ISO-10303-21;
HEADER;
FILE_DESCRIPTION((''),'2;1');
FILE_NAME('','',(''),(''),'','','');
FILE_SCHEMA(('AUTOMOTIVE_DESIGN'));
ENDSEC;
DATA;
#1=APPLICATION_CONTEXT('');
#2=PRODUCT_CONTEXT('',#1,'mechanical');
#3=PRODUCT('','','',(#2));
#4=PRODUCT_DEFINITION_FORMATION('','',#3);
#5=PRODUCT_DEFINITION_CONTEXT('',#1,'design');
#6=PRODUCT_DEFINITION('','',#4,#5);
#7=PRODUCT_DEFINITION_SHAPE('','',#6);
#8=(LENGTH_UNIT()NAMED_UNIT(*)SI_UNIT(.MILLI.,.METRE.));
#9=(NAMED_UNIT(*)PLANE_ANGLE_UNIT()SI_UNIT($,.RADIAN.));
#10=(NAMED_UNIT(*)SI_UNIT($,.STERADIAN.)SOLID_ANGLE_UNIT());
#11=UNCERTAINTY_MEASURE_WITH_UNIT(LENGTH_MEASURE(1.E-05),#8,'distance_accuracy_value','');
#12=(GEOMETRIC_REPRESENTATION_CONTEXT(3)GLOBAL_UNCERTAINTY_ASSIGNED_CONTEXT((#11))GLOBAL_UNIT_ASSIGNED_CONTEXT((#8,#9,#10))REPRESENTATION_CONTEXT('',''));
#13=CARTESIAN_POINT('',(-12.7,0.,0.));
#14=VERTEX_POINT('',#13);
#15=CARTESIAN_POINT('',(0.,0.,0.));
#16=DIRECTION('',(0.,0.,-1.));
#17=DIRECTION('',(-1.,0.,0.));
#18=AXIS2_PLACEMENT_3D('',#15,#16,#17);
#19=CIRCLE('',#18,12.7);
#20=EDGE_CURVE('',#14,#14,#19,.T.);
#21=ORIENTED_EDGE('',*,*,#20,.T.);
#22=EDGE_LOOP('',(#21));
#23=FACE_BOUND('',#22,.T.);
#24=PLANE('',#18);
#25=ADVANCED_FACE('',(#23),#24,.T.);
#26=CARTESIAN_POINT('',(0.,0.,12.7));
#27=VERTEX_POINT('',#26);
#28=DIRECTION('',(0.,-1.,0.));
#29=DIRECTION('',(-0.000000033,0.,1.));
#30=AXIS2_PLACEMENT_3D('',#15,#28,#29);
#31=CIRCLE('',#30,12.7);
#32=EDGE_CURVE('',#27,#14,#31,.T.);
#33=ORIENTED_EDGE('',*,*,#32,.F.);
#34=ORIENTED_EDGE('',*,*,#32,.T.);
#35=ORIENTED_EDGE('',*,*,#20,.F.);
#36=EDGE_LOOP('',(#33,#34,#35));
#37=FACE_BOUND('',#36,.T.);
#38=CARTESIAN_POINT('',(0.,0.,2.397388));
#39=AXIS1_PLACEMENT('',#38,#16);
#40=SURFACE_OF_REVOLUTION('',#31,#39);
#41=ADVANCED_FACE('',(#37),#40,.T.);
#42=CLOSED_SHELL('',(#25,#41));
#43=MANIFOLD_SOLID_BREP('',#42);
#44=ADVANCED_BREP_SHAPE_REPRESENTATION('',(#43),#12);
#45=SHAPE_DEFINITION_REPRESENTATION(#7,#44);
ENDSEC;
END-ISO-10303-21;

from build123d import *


with BuildPart() as f1:
    # F0 (on Front) → F1 (revolve)
    with BuildSketch(Plane.XZ):
        with BuildLine():
            Line((0, 11.7), (0, 12.7))
            ThreePointArc((0, 12.7), (-8.980256, 8.980256), (-12.7, 0))
            Line((-12.7, 0), (-11.7, 0))
            ThreePointArc((-11.7, 0), (-8.273149, 8.273149), (0, 11.7))
        make_face()
        with BuildLine():
            Line((0, 0), (0, 11.7))
            ThreePointArc((0, 11.7), (-8.273149, 8.273149), (-11.7, 0))
            Line((-11.7, 0), (0, 0))
        make_face()
    revolve(axis=Axis((0, 0, 2.397388), (0, 0, -1)))


solid = f1.part
